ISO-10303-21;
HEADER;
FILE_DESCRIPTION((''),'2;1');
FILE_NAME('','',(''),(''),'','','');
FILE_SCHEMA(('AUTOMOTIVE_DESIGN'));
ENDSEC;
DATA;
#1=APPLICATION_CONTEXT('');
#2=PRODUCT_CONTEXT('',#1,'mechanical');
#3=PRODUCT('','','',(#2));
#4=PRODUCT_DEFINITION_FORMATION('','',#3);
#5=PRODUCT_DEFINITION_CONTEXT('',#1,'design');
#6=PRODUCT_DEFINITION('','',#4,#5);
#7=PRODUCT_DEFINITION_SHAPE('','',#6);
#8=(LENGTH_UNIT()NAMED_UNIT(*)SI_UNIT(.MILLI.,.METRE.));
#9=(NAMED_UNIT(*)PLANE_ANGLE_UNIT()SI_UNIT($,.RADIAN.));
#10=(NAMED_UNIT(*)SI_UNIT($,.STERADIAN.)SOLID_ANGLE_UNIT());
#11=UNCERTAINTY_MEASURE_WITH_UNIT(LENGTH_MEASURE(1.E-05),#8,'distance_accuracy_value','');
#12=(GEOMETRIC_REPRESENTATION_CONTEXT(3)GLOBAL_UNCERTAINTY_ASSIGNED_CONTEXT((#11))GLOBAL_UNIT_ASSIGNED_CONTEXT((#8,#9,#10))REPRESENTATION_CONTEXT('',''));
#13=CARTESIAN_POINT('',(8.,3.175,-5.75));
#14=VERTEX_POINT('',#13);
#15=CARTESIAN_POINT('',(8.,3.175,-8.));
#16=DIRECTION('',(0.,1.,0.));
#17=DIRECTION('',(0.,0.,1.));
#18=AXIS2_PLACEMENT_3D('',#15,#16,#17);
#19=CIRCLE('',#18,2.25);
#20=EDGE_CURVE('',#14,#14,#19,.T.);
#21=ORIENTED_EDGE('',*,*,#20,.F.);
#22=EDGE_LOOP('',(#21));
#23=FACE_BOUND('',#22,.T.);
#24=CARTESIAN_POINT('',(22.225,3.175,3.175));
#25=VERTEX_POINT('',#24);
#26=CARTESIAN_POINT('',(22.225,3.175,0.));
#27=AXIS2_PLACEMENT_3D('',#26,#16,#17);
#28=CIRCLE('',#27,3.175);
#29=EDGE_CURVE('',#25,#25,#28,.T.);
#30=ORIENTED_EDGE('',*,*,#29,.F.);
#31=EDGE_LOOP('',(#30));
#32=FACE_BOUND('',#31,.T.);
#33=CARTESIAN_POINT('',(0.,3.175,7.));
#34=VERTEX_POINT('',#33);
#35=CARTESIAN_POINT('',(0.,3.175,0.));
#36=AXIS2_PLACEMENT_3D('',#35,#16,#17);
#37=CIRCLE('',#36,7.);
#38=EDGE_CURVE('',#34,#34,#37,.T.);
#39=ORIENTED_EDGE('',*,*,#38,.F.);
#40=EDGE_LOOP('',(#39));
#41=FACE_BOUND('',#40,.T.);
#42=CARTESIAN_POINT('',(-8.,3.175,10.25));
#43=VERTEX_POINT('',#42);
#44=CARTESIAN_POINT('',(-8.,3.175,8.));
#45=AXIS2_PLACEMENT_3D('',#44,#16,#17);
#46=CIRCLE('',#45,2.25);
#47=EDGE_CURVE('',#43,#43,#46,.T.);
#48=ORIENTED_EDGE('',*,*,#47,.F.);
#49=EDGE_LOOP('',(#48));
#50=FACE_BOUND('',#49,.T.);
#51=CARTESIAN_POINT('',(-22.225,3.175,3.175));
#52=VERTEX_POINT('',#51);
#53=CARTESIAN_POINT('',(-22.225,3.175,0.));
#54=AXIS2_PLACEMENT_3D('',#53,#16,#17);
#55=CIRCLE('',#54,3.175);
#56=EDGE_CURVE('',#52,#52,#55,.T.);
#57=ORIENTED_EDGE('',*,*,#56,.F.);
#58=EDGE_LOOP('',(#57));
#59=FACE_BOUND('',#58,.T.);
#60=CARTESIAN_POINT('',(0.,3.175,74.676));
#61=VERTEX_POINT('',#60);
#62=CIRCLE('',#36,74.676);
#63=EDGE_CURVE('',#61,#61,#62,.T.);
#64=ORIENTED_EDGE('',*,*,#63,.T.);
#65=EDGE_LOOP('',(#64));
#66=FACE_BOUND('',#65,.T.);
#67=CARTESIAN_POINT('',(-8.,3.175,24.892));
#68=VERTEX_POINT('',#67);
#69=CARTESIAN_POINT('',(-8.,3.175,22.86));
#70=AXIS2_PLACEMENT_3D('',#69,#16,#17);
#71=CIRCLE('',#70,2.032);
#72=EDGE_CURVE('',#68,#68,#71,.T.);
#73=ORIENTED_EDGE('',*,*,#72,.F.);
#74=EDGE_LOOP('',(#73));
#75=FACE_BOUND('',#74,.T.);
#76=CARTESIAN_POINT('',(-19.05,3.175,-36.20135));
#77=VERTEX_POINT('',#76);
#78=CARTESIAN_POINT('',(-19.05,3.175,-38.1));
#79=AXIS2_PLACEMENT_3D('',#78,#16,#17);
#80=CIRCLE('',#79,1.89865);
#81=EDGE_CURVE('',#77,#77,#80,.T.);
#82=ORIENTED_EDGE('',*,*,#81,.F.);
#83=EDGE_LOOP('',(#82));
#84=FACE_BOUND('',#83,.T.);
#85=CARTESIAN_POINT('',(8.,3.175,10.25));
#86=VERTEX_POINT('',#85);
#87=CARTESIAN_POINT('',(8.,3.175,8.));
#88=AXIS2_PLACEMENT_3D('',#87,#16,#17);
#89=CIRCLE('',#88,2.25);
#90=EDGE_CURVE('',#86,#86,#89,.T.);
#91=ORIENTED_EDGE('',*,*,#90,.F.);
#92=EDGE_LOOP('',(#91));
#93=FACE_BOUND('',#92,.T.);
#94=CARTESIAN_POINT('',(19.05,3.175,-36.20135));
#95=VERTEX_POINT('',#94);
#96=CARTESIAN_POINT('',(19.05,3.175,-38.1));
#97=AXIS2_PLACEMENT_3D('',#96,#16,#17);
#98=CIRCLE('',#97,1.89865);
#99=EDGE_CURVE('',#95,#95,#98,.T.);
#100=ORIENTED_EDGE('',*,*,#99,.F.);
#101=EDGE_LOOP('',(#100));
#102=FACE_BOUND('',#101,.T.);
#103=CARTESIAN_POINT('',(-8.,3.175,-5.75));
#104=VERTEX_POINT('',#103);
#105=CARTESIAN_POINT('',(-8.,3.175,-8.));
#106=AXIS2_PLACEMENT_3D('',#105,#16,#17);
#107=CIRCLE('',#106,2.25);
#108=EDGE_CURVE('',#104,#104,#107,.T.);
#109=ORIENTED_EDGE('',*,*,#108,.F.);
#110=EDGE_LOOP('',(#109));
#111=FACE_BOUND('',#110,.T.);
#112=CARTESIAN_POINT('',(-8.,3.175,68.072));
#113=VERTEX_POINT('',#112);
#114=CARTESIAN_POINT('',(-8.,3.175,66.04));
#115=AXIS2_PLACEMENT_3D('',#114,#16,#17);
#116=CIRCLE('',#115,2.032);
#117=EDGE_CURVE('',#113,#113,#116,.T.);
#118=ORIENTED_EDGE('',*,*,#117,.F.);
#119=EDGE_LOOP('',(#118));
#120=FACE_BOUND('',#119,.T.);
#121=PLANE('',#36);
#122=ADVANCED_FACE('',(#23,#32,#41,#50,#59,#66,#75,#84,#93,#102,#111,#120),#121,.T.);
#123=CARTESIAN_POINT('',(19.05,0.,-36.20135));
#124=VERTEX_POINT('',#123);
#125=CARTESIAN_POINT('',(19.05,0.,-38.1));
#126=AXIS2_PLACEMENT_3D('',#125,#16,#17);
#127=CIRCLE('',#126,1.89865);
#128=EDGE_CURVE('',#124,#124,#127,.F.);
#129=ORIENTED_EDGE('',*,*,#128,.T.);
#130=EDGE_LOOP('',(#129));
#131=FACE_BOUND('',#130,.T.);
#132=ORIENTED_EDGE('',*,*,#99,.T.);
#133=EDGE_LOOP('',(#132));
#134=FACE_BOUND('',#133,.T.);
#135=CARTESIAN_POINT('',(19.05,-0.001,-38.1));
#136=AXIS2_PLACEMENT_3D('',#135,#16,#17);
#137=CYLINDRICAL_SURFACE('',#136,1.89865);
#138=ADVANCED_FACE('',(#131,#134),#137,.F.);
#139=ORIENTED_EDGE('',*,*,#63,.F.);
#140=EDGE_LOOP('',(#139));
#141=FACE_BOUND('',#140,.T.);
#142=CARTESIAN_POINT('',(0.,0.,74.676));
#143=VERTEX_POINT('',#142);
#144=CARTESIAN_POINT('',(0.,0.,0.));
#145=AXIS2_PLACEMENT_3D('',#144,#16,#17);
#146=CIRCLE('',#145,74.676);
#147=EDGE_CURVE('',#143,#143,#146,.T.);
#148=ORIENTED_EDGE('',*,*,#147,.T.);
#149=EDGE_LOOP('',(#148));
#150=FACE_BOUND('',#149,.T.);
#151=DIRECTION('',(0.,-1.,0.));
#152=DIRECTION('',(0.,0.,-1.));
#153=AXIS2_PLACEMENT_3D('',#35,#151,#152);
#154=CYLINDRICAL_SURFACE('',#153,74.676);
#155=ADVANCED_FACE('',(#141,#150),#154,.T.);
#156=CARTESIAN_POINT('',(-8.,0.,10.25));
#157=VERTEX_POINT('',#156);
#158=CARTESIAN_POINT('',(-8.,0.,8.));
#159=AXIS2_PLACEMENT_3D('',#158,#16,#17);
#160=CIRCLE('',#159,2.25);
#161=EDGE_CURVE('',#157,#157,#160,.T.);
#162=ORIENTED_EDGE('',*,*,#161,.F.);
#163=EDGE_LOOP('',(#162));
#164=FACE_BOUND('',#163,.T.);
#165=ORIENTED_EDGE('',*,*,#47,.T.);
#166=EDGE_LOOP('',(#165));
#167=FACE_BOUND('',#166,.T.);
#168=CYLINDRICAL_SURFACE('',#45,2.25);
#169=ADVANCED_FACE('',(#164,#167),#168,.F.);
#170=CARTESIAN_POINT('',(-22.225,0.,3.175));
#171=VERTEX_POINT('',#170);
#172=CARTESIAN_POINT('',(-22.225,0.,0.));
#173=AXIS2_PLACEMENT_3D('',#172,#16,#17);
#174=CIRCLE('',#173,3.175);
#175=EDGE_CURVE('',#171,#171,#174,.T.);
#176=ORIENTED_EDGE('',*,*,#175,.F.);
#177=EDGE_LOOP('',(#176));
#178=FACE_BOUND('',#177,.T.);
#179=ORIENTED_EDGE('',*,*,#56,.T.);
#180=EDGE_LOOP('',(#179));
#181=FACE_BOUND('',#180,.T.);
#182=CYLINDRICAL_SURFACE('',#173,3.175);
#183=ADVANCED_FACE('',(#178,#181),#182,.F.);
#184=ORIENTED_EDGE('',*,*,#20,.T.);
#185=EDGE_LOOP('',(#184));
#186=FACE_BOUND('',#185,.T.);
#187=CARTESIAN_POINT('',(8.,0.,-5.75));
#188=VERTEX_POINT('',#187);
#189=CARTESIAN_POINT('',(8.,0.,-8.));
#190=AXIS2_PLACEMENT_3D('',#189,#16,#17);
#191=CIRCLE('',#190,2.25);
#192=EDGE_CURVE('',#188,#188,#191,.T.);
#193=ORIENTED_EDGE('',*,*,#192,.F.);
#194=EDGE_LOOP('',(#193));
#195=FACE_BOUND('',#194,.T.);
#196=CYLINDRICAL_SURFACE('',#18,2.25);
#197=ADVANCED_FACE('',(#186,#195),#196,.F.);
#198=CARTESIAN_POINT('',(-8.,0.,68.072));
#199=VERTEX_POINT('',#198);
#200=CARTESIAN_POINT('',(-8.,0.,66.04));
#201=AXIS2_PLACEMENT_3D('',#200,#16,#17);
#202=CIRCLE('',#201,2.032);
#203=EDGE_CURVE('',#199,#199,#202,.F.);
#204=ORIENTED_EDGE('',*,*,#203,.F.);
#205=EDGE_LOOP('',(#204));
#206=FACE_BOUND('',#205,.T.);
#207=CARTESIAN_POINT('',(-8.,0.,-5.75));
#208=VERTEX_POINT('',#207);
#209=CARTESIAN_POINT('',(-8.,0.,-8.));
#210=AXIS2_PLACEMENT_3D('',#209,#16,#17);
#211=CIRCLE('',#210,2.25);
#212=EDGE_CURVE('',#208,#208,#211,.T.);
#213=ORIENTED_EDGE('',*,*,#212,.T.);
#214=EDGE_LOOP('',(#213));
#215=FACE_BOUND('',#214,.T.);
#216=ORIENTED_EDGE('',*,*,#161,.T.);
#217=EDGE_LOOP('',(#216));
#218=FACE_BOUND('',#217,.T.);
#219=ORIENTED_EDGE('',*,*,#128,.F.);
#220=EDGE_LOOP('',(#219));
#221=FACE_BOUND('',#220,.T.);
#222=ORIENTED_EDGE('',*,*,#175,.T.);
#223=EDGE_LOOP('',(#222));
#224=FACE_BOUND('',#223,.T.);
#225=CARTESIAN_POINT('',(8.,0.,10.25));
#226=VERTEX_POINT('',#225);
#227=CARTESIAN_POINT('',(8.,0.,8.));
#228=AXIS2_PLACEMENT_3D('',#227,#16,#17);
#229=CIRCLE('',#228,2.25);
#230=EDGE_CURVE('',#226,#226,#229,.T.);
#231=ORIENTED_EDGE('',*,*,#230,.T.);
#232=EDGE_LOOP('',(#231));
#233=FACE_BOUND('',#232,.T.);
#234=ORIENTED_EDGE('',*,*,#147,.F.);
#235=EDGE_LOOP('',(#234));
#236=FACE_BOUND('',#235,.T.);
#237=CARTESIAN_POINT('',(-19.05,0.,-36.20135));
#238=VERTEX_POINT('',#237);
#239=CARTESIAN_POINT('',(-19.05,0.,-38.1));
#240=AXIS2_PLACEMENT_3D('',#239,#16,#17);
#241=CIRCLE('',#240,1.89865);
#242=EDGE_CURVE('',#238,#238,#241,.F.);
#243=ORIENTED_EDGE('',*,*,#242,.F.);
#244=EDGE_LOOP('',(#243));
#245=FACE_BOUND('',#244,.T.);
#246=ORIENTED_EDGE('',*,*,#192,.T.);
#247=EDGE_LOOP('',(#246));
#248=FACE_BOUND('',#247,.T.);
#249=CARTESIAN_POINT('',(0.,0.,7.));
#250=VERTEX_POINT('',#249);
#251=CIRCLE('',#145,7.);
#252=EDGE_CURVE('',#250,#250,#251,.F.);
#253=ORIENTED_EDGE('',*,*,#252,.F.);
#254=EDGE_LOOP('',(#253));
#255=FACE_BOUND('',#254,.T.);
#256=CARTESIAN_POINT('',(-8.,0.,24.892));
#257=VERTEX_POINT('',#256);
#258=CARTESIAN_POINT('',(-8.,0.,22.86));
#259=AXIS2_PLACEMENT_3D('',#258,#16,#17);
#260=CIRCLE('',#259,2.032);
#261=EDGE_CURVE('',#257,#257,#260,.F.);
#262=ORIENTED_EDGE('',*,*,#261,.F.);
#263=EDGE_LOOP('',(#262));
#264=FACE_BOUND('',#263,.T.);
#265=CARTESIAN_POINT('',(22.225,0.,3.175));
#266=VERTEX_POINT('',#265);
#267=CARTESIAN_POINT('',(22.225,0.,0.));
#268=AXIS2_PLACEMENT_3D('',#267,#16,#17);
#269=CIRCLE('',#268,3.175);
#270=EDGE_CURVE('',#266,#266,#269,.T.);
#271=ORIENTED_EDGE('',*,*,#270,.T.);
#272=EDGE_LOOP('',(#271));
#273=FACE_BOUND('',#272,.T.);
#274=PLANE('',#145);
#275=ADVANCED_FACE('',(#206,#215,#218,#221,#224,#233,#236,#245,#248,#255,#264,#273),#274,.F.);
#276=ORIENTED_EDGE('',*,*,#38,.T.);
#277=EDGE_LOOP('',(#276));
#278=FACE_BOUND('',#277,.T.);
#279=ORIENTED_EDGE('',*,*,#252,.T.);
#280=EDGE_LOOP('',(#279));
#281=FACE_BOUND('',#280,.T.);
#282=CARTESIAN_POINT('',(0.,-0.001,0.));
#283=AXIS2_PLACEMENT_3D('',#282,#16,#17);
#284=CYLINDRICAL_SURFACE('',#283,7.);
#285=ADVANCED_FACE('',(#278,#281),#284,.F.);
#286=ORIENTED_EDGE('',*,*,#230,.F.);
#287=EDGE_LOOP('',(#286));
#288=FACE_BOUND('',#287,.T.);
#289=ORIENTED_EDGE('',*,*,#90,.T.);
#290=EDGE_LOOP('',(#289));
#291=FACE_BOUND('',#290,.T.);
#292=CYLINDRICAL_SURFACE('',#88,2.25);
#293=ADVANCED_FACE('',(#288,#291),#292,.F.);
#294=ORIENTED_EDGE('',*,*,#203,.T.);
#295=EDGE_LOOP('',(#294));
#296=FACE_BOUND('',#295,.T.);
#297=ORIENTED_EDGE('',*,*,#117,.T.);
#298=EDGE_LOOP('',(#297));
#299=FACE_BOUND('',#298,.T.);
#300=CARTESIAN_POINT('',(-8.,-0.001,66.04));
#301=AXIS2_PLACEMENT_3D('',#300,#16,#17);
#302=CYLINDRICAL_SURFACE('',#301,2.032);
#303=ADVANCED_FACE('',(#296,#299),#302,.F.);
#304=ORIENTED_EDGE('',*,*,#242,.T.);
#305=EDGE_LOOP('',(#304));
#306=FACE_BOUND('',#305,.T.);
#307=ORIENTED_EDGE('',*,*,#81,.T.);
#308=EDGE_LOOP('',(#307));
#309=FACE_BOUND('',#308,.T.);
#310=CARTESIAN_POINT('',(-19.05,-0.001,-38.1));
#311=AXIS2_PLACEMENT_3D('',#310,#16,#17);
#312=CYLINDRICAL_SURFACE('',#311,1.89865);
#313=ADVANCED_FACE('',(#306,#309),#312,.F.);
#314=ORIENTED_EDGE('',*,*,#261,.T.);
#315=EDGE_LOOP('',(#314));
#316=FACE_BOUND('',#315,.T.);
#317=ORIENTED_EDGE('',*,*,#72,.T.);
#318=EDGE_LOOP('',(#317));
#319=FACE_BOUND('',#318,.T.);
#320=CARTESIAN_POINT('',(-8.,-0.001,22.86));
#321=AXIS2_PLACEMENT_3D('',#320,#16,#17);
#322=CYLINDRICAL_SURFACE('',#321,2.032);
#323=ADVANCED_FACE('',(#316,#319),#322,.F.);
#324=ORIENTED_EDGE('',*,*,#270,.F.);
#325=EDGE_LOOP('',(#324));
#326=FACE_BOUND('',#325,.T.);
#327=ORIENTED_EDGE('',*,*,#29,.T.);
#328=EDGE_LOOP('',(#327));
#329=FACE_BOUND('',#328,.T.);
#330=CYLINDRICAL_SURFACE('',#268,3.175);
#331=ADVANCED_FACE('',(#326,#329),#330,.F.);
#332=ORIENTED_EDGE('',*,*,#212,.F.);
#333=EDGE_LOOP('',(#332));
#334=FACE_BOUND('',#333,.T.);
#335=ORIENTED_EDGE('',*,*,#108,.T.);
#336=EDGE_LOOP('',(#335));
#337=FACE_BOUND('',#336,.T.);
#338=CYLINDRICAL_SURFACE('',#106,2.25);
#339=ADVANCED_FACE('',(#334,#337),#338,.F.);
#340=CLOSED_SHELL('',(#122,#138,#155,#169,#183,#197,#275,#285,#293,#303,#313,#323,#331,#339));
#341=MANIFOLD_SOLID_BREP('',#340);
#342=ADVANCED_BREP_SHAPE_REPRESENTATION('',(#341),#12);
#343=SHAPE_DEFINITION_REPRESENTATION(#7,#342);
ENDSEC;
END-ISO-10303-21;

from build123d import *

# Parameters (mm, degrees)
SKETCH1_R               = 74.676
BOSS_EXTRUDE1_DEPTH     = 3.175
CUT_EXTRUDE1_REACH      = 107.656
SKETCH2_R               = 7
CUT_EXTRUDE3_DEPTH      = 106.655527906
CUT_EXTRUDE3_DEPTH_BACK = 106.655527906
SKETCH4_R               = 3.175
M4_CLEARANCE_HOLE1_D    = 4.5
CUT_EXTRUDE4_REACH      = 107.656
SKETCH8_R               = 1.89865
CUT_EXTRUDE5_REACH      = 107.656
SKETCH9_R               = 2.032


with BuildPart() as part:
    # Sketch1 → Boss-Extrude1 (new body)
    with BuildSketch(Plane(origin=(0, 0, 0), x_dir=(1, 0, 0), z_dir=(0, 1, 0))):
        with Locations(Location((0, 0, 0), (0, 0, 270))):
            Circle(SKETCH1_R)
    extrude(amount=BOSS_EXTRUDE1_DEPTH)

    # Sketch2 → Cut-Extrude1 (cut, up to next)
    with BuildSketch(Plane(origin=(0, 3.175, 0), x_dir=(1, 0, 0), z_dir=(0, 1, 0)), mode=Mode.PRIVATE) as cut_extrude1_sk1:
        with Locations(Location((0, 0, 0), (0, 0, 270))):
            Circle(SKETCH2_R)
    cut_extrude1_tool1 = extrude(cut_extrude1_sk1.sketch, amount=-CUT_EXTRUDE1_REACH, mode=Mode.PRIVATE) & part.part
    add(cut_extrude1_tool1.solids().sort_by_distance((0, 3.175, 0))[0], mode=Mode.SUBTRACT)

    # Sketch4 → Cut-Extrude3 (cut, two sides: drawn at the far end of the back side and taken through both)
    with BuildSketch(Plane(origin=(0, 3.175, 0), x_dir=(1, 0, 0), z_dir=(0, 1, 0)).offset(-CUT_EXTRUDE3_DEPTH_BACK)):
        with Locations(Location((-22.225, 0, 0), (0, 0, 270))):
            Circle(SKETCH4_R)
        with Locations(Location((22.225, 0, 0), (0, 0, 270))):
            Circle(SKETCH4_R)
    extrude(amount=CUT_EXTRUDE3_DEPTH + CUT_EXTRUDE3_DEPTH_BACK, mode=Mode.SUBTRACT)

    # M4 Clearance Hole1 (through all)
    with Locations(Plane(origin=(0, 3.175, 0), x_dir=(1, 0, 0), z_dir=(0, 1, 0))):
        with Locations((-8, 8), (8, 8), (8, -8), (-8, -8)):
            Hole(M4_CLEARANCE_HOLE1_D / 2)

    # Sketch8 → Cut-Extrude4 (cut, up to next)
    with BuildSketch(Plane(origin=(0, 3.175, 0), x_dir=(1, 0, 0), z_dir=(0, 1, 0)), mode=Mode.PRIVATE) as cut_extrude4_sk1:
        with Locations(Location((19.05, 38.1, 0), (0, 0, 270))):
            Circle(SKETCH8_R)
    cut_extrude4_tool1 = extrude(cut_extrude4_sk1.sketch, amount=-CUT_EXTRUDE4_REACH, mode=Mode.PRIVATE) & part.part
    # Sketch8 → Cut-Extrude4 (cut, up to next)
    with BuildSketch(Plane(origin=(0, 3.175, 0), x_dir=(1, 0, 0), z_dir=(0, 1, 0)), mode=Mode.PRIVATE) as cut_extrude4_sk2:
        with Locations(Location((-19.05, 38.1, 0), (0, 0, 270))):
            Circle(SKETCH8_R)
    cut_extrude4_tool2 = extrude(cut_extrude4_sk2.sketch, amount=-CUT_EXTRUDE4_REACH, mode=Mode.PRIVATE) & part.part
    add(cut_extrude4_tool1.solids().sort_by_distance((19.05, 3.175, -38.1))[0], mode=Mode.SUBTRACT)
    add(cut_extrude4_tool2.solids().sort_by_distance((-19.05, 3.175, -38.1))[0], mode=Mode.SUBTRACT)

    # Sketch9 → Cut-Extrude5 (cut, up to next)
    with BuildSketch(Plane(origin=(0, 3.175, 0), x_dir=(1, 0, 0), z_dir=(0, 1, 0)), mode=Mode.PRIVATE) as cut_extrude5_sk1:
        with Locations(Location((-8, -22.86, 0), (0, 0, 270))):
            Circle(SKETCH9_R)
    cut_extrude5_tool1 = extrude(cut_extrude5_sk1.sketch, amount=-CUT_EXTRUDE5_REACH, mode=Mode.PRIVATE) & part.part
    # Sketch9 → Cut-Extrude5 (cut, up to next)
    with BuildSketch(Plane(origin=(0, 3.175, 0), x_dir=(1, 0, 0), z_dir=(0, 1, 0)), mode=Mode.PRIVATE) as cut_extrude5_sk2:
        with Locations(Location((-8, -66.04, 0), (0, 0, 270))):
            Circle(SKETCH9_R)
    cut_extrude5_tool2 = extrude(cut_extrude5_sk2.sketch, amount=-CUT_EXTRUDE5_REACH, mode=Mode.PRIVATE) & part.part
    add(cut_extrude5_tool1.solids().sort_by_distance((-8, 3.175, 22.86))[0], mode=Mode.SUBTRACT)
    add(cut_extrude5_tool2.solids().sort_by_distance((-8, 3.175, 66.04))[0], mode=Mode.SUBTRACT)


solid = part.part
